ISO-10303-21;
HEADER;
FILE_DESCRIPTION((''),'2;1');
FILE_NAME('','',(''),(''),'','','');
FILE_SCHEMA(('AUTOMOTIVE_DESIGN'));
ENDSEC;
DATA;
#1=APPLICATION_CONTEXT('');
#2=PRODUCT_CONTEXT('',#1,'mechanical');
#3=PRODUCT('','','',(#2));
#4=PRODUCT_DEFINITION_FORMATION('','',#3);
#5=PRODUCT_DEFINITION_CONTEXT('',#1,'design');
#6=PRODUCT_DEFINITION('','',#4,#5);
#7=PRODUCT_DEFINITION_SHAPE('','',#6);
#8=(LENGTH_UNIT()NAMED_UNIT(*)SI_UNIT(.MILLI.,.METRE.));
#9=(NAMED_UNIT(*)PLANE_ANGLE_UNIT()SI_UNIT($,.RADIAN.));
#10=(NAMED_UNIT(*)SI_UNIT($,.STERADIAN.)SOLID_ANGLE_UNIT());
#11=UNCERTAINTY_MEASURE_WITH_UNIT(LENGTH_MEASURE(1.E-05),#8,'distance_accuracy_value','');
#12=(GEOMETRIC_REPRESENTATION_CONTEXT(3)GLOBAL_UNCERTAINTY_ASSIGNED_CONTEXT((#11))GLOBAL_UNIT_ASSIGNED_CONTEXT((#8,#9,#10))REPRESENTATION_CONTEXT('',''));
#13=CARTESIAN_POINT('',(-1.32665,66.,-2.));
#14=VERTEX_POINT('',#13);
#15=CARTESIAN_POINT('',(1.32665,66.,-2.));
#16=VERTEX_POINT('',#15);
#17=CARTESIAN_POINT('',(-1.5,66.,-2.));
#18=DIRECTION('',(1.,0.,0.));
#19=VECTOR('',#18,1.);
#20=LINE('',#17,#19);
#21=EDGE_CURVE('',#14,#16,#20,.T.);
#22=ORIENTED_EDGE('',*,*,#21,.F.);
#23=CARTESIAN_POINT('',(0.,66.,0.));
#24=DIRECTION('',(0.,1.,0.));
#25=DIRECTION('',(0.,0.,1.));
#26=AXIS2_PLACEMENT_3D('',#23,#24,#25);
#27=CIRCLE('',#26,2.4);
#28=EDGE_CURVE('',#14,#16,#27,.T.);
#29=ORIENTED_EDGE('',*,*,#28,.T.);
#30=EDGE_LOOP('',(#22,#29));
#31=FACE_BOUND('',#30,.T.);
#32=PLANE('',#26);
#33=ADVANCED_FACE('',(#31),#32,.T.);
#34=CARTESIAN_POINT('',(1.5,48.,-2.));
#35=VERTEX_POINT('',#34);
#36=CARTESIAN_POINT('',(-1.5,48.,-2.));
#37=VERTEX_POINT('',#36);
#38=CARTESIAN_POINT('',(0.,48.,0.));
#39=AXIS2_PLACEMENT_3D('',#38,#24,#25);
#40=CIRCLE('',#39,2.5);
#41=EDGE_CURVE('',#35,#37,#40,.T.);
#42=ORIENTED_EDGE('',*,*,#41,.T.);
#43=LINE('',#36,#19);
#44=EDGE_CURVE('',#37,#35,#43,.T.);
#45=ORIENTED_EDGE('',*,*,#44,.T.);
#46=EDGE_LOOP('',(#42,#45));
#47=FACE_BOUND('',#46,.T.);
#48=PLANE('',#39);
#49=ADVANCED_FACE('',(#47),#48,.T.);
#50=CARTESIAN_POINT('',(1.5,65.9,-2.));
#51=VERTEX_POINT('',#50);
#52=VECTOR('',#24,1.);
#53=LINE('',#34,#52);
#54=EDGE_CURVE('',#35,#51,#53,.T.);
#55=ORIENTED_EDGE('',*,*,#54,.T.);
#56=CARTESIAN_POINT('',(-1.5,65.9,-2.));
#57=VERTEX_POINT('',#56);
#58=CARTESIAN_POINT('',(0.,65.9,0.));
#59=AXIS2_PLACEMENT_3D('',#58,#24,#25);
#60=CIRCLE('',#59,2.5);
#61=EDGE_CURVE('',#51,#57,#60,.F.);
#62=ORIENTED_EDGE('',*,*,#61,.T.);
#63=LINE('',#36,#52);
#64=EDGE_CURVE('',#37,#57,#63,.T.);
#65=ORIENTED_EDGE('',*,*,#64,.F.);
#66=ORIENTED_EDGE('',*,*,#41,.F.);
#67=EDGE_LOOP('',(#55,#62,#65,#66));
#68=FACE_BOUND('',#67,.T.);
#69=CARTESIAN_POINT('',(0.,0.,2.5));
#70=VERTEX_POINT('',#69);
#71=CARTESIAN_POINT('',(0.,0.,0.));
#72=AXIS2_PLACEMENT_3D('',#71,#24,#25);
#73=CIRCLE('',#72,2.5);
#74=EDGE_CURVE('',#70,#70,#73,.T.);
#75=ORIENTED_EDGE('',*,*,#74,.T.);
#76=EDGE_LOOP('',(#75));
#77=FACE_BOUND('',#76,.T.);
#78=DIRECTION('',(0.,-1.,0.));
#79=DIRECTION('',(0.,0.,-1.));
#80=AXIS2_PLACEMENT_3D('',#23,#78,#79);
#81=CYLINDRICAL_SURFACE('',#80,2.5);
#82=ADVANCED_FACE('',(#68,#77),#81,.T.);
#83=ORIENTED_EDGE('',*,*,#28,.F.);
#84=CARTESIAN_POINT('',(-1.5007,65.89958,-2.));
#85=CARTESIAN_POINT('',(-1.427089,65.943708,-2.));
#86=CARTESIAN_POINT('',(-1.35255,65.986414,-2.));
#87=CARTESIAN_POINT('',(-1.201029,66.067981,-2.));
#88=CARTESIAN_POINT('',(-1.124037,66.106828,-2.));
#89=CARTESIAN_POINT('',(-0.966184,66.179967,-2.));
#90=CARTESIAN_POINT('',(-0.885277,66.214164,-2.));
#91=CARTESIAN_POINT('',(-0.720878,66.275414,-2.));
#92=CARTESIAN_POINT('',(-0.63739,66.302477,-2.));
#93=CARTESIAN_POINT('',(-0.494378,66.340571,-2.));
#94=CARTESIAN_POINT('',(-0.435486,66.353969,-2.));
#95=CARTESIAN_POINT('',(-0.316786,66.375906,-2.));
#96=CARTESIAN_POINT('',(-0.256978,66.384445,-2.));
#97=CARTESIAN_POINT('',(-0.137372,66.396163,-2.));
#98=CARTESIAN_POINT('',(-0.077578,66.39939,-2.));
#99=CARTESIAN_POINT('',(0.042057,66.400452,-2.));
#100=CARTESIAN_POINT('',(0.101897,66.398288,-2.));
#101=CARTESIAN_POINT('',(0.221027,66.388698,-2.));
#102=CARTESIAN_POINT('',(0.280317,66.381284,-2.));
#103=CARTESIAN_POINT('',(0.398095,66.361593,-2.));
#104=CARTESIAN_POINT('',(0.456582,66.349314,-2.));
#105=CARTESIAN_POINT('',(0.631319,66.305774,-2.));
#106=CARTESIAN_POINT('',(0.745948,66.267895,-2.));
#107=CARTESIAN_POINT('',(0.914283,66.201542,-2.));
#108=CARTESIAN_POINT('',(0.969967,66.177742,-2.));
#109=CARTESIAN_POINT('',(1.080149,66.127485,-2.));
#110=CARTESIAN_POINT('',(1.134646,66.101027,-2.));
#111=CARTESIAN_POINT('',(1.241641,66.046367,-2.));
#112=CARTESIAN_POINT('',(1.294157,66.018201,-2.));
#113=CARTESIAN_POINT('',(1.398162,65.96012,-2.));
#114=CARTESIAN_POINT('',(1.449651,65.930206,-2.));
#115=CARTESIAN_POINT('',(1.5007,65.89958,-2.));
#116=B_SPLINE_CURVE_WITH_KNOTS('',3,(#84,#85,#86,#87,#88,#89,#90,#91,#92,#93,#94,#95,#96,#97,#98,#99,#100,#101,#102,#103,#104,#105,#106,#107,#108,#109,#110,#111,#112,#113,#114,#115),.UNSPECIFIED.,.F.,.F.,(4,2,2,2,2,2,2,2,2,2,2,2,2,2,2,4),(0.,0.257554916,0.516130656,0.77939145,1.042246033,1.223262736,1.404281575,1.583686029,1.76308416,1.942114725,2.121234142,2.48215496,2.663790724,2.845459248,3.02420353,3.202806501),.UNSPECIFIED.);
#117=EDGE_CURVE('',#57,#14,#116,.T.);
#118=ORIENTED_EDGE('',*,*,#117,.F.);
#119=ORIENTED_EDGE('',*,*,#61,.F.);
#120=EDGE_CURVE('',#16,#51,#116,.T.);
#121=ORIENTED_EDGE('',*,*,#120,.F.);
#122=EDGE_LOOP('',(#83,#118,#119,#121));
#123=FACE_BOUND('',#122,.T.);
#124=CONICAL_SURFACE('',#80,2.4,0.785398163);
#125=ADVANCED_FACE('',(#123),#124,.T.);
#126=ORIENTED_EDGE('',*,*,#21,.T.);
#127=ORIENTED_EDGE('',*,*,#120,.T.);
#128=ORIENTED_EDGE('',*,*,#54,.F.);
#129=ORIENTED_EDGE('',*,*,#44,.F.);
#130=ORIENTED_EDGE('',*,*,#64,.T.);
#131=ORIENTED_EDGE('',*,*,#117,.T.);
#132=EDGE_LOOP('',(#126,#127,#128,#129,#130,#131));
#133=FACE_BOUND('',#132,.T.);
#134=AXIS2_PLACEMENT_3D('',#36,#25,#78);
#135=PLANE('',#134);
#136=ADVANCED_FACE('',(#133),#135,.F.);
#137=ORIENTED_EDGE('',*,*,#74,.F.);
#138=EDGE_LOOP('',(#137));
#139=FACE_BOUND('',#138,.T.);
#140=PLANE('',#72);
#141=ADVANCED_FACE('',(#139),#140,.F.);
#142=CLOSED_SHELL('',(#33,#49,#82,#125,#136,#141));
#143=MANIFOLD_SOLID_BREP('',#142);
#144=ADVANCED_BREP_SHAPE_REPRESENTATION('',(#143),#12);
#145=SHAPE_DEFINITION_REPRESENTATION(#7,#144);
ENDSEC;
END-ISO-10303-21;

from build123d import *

# Parameters (mm, degrees)
SKETCH_1_R          = 2.5
EXTRUDE_1_DEPTH     = 66
CHAMFER_1_SIZE      = 0.1
CUT_EXTRUDE_START   = -18
CUT_EXTRUDE_2_DEPTH = 18


with BuildPart() as part:
    # 草图1 → 凸台-拉伸1 (new body)
    with BuildSketch(Plane(origin=(0, 0, 0), x_dir=(1, 0, 0), z_dir=(0, 1, 0))):
        with Locations(Location((0, 0, 0), (0, 0, 270))):
            Circle(SKETCH_1_R)
    extrude(amount=EXTRUDE_1_DEPTH)

    # 倒角1
    chamfer_1_edges = [part.edges().sort_by_distance(p)[0] for p in [
        (0, 66, -2.5),
    ]]
    chamfer(chamfer_1_edges, length=CHAMFER_1_SIZE)

    # 草图2 → 切除-拉伸2 (cut)
    with BuildSketch(Plane(origin=(0, 66, 0), x_dir=(1, 0, 0), z_dir=(0, 1, 0)).offset(CUT_EXTRUDE_START)):
        with BuildLine():
            Line((-1.5, 2), (1.5, 2))
            ThreePointArc((1.5, 2), (0, 2.5), (-1.5, 2))
        make_face()
    extrude(amount=CUT_EXTRUDE_2_DEPTH, mode=Mode.SUBTRACT)


solid = part.part
